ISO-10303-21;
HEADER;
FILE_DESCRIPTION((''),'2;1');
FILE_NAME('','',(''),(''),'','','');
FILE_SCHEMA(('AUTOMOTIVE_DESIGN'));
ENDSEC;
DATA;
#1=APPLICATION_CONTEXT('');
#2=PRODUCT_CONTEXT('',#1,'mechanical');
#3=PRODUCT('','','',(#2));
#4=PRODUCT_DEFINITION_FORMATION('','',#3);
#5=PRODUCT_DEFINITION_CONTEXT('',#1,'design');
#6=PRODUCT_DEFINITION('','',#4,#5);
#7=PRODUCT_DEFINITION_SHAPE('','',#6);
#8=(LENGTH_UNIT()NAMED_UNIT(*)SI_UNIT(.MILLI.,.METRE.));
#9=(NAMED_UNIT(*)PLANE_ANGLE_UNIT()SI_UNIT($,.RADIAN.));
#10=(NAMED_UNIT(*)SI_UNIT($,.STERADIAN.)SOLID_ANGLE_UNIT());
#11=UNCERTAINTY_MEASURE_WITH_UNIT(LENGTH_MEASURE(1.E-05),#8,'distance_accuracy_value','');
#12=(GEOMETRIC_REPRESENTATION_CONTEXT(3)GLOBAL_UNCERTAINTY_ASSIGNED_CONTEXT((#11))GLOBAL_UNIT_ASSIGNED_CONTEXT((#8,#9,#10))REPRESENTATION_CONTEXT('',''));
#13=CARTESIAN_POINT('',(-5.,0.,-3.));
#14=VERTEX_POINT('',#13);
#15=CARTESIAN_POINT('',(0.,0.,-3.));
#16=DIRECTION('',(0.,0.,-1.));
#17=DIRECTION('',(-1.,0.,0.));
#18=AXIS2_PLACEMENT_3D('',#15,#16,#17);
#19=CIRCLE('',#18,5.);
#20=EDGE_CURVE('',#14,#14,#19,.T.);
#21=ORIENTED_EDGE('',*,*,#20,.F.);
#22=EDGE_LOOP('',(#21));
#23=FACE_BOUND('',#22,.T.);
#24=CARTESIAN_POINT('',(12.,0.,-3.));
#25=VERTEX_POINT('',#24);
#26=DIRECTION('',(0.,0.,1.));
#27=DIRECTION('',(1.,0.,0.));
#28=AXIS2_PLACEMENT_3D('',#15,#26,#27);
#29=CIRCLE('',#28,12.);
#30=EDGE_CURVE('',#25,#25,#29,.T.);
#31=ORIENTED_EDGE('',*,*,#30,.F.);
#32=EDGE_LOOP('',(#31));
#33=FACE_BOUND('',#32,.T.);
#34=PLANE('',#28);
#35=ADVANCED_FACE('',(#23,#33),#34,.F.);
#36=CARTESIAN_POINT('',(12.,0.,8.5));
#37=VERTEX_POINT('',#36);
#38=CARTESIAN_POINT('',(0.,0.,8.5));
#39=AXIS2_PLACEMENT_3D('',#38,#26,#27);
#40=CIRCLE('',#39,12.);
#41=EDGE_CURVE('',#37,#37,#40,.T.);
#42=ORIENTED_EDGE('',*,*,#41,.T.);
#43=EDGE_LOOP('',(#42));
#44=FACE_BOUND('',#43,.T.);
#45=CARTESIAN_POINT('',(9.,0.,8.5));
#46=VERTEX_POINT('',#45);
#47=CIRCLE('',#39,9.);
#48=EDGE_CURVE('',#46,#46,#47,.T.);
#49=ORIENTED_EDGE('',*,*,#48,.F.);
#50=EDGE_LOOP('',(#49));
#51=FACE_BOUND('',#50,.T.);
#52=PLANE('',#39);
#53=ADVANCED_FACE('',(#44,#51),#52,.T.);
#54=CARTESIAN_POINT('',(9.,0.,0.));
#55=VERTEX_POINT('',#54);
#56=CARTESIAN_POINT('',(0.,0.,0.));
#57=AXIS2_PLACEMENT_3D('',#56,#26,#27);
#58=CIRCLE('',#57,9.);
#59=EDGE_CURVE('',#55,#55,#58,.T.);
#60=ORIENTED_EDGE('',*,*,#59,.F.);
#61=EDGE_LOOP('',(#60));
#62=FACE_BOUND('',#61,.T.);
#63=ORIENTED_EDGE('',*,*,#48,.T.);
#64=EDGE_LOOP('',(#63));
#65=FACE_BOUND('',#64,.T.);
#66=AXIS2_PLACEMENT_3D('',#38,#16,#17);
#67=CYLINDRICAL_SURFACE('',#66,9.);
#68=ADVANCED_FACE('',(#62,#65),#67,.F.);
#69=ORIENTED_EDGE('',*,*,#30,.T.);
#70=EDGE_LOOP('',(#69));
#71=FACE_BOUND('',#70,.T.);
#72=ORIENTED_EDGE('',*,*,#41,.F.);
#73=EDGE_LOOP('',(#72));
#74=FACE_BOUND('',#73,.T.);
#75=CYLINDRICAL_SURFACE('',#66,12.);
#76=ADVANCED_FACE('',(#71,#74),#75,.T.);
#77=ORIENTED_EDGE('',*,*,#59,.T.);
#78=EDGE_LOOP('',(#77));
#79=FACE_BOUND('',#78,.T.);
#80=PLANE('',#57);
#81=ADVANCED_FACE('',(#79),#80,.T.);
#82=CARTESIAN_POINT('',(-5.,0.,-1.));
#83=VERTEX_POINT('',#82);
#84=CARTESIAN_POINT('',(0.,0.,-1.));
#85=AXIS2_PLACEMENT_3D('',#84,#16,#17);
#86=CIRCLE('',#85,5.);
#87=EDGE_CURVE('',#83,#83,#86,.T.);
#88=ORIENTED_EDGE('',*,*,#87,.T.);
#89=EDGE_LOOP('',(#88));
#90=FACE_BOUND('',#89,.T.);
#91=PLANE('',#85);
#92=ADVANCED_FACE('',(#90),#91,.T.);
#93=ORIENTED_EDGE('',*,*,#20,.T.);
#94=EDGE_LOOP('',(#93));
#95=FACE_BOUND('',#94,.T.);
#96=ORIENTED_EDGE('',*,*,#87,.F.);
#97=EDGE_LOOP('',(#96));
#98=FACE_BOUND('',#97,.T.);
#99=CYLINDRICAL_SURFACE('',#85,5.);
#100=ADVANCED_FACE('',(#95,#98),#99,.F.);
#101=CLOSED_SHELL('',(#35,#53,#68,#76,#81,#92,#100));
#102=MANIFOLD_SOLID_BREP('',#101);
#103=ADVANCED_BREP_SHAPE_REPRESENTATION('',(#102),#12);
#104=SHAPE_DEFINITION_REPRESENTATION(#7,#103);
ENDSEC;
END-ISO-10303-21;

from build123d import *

# Parameters (mm, degrees)
SKETCH1_R           = 12
SKETCH1_R_2         = 9
BOSS_EXTRUDE1_DEPTH = 8.5
BOSS_EXTRUDE2_START = -3
SKETCH1_2_R         = 12
BOSS_EXTRUDE2_DEPTH = 3
SKETCH2_R           = 5
CUT_EXTRUDE1_DEPTH  = 2


with BuildPart() as part:
    # Sketch1 → Boss-Extrude1 (new body)
    with BuildSketch(Plane.XY):
        Circle(SKETCH1_R)
        Circle(SKETCH1_R_2, mode=Mode.SUBTRACT)
    extrude(amount=BOSS_EXTRUDE1_DEPTH)

    # Sketch1<2> → Boss-Extrude2 (add)
    with BuildSketch(Plane.XY.offset(BOSS_EXTRUDE2_START)):
        Circle(SKETCH1_2_R)
    extrude(amount=BOSS_EXTRUDE2_DEPTH)

    # Sketch2 → Cut-Extrude1 (cut)
    with BuildSketch(Plane(origin=(0, 0, -3), x_dir=(-1, 0, 0), z_dir=(0, 0, -1))):
        Circle(SKETCH2_R)
    extrude(amount=-CUT_EXTRUDE1_DEPTH, mode=Mode.SUBTRACT)


solid = part.part
